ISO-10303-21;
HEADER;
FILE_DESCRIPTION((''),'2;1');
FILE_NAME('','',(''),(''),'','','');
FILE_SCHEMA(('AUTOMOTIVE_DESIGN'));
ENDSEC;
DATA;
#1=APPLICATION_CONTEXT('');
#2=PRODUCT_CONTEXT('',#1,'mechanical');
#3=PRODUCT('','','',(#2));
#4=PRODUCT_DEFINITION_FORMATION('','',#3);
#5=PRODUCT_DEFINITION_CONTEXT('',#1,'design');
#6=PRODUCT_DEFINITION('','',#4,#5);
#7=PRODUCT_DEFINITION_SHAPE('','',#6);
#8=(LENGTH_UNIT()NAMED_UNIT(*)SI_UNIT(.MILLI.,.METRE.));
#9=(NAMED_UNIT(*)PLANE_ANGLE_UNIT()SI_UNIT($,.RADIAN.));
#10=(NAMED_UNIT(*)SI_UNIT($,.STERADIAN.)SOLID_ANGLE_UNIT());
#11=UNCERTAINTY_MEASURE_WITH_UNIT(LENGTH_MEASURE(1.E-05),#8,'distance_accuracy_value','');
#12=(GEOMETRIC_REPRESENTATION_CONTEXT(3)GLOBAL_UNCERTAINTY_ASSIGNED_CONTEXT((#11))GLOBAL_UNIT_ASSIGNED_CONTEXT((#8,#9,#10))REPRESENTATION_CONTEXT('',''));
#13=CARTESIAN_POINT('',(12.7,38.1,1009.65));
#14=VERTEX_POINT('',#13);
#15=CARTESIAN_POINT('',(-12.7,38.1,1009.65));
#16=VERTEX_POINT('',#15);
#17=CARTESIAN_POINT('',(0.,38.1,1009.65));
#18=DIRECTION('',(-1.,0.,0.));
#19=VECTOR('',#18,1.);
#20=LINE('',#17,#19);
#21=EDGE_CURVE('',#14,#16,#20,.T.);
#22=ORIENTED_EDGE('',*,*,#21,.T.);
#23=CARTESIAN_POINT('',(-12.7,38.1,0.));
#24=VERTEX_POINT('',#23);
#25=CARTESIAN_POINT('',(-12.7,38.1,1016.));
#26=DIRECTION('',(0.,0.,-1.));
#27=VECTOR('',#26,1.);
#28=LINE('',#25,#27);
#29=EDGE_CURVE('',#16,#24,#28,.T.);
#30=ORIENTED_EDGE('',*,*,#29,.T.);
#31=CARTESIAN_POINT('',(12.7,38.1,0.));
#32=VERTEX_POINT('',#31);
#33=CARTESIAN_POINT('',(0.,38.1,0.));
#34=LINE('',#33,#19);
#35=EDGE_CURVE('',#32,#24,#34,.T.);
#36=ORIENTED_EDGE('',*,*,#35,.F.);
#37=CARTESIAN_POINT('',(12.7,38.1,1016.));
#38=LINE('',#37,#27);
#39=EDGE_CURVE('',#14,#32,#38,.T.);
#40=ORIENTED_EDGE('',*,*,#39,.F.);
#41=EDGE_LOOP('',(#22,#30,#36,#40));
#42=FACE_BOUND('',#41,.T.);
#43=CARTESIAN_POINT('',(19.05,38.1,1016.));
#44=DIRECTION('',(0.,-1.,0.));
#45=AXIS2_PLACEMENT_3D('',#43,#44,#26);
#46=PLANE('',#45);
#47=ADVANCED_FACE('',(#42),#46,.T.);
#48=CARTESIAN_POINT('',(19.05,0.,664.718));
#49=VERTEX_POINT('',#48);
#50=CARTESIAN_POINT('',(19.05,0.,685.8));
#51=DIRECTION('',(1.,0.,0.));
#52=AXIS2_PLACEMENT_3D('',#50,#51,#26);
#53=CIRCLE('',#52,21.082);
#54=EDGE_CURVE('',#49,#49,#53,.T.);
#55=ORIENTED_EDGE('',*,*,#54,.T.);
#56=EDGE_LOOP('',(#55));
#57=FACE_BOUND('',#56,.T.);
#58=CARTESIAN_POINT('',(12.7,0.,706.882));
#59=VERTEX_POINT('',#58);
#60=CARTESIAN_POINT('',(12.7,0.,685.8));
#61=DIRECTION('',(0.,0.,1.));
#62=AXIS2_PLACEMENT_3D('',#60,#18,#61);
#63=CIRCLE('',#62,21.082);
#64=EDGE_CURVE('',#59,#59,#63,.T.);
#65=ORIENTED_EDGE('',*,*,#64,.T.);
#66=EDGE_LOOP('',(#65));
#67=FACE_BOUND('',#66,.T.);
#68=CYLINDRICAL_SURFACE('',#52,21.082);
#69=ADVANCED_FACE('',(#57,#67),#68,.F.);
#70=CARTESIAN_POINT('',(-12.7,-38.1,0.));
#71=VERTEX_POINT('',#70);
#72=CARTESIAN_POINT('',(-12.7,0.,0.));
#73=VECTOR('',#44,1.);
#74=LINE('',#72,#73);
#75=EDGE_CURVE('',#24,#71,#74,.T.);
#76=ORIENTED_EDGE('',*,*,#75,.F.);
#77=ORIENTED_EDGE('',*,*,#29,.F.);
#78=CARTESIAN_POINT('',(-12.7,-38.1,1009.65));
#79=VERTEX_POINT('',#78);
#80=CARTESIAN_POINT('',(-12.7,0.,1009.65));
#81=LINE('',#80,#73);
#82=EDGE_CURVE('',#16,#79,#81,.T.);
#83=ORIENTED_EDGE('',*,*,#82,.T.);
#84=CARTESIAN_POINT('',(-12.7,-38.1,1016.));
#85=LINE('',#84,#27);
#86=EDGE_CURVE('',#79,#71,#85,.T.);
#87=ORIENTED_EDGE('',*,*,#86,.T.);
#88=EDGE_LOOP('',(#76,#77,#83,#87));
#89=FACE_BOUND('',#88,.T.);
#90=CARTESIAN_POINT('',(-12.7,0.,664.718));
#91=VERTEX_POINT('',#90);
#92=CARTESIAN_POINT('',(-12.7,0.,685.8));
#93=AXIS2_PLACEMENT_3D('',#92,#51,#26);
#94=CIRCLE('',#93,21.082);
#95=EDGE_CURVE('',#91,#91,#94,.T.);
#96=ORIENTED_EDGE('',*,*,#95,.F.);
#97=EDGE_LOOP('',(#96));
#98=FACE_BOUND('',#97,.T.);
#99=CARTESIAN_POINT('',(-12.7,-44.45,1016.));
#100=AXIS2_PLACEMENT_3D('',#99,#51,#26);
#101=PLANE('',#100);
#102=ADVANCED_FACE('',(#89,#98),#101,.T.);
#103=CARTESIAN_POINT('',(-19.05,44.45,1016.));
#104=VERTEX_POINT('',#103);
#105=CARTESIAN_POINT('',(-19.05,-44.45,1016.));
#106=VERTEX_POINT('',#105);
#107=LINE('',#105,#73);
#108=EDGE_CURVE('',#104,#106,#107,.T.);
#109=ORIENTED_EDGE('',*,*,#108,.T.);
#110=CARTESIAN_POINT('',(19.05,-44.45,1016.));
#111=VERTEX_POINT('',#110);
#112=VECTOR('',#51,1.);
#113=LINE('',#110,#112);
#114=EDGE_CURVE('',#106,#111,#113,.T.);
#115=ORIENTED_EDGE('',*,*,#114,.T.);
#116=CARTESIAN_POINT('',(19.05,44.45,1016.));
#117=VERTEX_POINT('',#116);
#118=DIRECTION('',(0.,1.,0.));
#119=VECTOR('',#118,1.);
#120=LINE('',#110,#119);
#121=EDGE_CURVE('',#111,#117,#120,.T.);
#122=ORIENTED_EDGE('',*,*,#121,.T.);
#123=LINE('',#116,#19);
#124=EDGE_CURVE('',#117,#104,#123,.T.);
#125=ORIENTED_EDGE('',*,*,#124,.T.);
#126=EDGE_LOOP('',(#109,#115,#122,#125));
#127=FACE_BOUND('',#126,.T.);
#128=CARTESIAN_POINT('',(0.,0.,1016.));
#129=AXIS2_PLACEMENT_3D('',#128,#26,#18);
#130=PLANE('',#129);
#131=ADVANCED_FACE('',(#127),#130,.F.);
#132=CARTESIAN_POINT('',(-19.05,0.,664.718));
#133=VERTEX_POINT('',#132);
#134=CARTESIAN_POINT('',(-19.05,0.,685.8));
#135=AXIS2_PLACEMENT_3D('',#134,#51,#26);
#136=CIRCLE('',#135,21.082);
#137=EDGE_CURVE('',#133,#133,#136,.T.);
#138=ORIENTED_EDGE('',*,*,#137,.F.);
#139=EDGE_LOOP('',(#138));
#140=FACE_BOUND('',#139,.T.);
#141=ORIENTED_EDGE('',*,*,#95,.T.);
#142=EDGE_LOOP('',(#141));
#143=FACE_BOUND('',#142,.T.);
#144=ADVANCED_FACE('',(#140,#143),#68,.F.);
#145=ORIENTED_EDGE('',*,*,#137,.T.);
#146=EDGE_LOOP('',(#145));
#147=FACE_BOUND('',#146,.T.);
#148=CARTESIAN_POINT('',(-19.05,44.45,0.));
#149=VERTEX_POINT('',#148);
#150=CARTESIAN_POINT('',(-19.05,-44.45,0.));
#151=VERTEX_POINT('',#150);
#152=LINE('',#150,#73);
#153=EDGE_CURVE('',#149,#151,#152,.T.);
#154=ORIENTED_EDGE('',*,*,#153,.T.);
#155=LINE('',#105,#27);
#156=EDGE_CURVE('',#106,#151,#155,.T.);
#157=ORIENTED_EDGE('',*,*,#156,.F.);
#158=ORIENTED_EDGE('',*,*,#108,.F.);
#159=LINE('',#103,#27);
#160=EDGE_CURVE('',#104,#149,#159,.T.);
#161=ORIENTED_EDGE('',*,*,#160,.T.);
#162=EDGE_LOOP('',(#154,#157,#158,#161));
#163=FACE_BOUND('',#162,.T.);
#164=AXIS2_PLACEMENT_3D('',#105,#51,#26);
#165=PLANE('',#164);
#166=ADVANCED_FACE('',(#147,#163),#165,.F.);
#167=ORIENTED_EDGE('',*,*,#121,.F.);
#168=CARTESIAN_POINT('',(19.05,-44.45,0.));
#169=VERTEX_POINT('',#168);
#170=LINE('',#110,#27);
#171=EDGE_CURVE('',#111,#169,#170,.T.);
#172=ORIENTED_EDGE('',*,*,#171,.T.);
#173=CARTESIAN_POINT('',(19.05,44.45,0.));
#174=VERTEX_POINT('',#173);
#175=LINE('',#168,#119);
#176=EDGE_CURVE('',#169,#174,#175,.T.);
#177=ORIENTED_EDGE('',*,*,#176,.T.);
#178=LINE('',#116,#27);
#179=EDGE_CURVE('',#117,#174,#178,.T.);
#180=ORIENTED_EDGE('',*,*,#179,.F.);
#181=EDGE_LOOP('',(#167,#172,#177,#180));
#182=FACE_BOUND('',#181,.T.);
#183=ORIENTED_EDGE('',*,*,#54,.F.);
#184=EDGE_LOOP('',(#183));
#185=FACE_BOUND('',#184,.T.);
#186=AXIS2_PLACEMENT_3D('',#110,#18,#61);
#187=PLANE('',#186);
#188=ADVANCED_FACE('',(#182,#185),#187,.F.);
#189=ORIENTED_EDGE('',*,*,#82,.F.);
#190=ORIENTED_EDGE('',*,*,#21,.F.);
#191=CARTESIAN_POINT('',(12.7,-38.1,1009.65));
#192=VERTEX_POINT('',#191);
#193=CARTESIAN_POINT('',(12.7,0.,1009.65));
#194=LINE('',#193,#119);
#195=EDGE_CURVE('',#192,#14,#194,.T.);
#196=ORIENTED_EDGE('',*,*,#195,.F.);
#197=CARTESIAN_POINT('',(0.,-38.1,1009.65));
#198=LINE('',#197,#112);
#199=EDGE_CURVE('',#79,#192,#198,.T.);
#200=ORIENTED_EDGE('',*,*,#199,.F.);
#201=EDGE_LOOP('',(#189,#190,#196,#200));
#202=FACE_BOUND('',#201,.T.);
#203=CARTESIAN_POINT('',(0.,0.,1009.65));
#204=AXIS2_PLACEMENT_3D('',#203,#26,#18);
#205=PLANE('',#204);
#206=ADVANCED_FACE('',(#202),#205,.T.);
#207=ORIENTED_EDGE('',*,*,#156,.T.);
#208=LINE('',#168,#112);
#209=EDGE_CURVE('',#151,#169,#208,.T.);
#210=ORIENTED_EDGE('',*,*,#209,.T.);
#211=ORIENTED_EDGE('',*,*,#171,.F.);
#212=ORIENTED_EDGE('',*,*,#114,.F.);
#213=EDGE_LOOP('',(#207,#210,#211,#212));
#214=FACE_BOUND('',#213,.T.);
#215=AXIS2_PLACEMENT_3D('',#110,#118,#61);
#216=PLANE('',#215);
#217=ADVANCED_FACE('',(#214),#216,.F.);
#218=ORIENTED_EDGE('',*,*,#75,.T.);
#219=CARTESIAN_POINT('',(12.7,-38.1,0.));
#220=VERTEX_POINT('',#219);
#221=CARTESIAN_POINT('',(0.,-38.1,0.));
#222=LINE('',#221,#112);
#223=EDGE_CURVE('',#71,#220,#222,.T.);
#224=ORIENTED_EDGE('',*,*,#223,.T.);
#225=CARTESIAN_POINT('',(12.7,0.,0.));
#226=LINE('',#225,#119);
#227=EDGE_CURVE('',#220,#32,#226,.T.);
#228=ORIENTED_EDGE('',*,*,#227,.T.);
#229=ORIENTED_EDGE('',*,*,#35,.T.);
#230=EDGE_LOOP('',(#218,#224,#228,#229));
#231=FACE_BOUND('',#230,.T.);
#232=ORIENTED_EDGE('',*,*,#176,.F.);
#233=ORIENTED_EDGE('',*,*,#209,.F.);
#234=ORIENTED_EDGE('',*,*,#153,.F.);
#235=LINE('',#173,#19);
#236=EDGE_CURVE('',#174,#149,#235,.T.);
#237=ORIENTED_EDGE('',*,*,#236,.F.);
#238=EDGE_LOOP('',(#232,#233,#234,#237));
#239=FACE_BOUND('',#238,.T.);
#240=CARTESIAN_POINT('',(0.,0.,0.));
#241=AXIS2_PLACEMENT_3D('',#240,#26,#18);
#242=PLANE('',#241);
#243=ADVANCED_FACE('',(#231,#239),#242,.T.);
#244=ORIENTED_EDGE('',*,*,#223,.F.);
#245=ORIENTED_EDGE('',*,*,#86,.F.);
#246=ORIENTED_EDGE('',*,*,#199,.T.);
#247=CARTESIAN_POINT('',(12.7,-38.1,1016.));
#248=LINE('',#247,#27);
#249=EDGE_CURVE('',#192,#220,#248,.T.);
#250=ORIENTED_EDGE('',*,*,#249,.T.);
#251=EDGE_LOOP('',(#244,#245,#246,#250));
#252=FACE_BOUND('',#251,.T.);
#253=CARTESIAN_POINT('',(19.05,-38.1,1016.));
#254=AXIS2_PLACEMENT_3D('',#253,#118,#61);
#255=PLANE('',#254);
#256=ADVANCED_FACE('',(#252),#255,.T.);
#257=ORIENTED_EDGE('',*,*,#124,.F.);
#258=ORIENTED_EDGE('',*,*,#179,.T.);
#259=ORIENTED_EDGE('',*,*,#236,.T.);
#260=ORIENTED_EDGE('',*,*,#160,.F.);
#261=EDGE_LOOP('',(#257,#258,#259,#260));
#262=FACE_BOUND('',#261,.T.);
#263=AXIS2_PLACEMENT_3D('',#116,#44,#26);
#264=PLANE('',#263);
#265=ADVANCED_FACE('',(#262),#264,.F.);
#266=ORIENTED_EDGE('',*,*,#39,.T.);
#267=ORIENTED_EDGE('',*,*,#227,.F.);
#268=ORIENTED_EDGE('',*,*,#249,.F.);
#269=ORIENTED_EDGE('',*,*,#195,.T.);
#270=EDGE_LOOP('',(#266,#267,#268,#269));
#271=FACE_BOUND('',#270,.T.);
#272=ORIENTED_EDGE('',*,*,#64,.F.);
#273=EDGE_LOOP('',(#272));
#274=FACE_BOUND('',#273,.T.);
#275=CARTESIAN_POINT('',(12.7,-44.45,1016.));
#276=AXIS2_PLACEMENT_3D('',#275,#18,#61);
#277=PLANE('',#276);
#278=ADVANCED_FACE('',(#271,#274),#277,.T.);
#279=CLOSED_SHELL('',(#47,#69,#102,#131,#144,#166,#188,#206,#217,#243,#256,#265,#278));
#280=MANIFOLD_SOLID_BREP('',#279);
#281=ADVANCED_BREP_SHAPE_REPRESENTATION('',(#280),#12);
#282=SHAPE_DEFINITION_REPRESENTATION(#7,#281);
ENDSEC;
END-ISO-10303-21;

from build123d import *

# Parameters (mm, degrees)
SKETCH1_W                    = 88.9
SKETCH1_H                    = 38.1
BOSS_EXTRUDE1_DEPTH          = 1016
SHELL1_T                     = -6.35
F_5_16_1_66_DIAMETER_HOLE1_D = 42.164


with BuildPart() as part:
    # Sketch1 → Boss-Extrude1 (new body)
    with BuildSketch(Plane(origin=(0, 0, 0), x_dir=(0, 1, 0), z_dir=(0, 0, 1))):
        Rectangle(SKETCH1_W, SKETCH1_H)
    extrude(amount=BOSS_EXTRUDE1_DEPTH)

    # Shell1
    shell1_openings = [part.faces().sort_by_distance(p)[0] for p in [
        (0, 0, 0),
    ]]
    offset(amount=SHELL1_T, openings=shell1_openings, kind=Kind.INTERSECTION)

    # 5/16 (1.66) Diameter Hole1 (through all)
    with Locations(Plane.YZ.offset(19.05)):
        with Locations((0, 685.8)):
            Hole(F_5_16_1_66_DIAMETER_HOLE1_D / 2)


solid = part.part
